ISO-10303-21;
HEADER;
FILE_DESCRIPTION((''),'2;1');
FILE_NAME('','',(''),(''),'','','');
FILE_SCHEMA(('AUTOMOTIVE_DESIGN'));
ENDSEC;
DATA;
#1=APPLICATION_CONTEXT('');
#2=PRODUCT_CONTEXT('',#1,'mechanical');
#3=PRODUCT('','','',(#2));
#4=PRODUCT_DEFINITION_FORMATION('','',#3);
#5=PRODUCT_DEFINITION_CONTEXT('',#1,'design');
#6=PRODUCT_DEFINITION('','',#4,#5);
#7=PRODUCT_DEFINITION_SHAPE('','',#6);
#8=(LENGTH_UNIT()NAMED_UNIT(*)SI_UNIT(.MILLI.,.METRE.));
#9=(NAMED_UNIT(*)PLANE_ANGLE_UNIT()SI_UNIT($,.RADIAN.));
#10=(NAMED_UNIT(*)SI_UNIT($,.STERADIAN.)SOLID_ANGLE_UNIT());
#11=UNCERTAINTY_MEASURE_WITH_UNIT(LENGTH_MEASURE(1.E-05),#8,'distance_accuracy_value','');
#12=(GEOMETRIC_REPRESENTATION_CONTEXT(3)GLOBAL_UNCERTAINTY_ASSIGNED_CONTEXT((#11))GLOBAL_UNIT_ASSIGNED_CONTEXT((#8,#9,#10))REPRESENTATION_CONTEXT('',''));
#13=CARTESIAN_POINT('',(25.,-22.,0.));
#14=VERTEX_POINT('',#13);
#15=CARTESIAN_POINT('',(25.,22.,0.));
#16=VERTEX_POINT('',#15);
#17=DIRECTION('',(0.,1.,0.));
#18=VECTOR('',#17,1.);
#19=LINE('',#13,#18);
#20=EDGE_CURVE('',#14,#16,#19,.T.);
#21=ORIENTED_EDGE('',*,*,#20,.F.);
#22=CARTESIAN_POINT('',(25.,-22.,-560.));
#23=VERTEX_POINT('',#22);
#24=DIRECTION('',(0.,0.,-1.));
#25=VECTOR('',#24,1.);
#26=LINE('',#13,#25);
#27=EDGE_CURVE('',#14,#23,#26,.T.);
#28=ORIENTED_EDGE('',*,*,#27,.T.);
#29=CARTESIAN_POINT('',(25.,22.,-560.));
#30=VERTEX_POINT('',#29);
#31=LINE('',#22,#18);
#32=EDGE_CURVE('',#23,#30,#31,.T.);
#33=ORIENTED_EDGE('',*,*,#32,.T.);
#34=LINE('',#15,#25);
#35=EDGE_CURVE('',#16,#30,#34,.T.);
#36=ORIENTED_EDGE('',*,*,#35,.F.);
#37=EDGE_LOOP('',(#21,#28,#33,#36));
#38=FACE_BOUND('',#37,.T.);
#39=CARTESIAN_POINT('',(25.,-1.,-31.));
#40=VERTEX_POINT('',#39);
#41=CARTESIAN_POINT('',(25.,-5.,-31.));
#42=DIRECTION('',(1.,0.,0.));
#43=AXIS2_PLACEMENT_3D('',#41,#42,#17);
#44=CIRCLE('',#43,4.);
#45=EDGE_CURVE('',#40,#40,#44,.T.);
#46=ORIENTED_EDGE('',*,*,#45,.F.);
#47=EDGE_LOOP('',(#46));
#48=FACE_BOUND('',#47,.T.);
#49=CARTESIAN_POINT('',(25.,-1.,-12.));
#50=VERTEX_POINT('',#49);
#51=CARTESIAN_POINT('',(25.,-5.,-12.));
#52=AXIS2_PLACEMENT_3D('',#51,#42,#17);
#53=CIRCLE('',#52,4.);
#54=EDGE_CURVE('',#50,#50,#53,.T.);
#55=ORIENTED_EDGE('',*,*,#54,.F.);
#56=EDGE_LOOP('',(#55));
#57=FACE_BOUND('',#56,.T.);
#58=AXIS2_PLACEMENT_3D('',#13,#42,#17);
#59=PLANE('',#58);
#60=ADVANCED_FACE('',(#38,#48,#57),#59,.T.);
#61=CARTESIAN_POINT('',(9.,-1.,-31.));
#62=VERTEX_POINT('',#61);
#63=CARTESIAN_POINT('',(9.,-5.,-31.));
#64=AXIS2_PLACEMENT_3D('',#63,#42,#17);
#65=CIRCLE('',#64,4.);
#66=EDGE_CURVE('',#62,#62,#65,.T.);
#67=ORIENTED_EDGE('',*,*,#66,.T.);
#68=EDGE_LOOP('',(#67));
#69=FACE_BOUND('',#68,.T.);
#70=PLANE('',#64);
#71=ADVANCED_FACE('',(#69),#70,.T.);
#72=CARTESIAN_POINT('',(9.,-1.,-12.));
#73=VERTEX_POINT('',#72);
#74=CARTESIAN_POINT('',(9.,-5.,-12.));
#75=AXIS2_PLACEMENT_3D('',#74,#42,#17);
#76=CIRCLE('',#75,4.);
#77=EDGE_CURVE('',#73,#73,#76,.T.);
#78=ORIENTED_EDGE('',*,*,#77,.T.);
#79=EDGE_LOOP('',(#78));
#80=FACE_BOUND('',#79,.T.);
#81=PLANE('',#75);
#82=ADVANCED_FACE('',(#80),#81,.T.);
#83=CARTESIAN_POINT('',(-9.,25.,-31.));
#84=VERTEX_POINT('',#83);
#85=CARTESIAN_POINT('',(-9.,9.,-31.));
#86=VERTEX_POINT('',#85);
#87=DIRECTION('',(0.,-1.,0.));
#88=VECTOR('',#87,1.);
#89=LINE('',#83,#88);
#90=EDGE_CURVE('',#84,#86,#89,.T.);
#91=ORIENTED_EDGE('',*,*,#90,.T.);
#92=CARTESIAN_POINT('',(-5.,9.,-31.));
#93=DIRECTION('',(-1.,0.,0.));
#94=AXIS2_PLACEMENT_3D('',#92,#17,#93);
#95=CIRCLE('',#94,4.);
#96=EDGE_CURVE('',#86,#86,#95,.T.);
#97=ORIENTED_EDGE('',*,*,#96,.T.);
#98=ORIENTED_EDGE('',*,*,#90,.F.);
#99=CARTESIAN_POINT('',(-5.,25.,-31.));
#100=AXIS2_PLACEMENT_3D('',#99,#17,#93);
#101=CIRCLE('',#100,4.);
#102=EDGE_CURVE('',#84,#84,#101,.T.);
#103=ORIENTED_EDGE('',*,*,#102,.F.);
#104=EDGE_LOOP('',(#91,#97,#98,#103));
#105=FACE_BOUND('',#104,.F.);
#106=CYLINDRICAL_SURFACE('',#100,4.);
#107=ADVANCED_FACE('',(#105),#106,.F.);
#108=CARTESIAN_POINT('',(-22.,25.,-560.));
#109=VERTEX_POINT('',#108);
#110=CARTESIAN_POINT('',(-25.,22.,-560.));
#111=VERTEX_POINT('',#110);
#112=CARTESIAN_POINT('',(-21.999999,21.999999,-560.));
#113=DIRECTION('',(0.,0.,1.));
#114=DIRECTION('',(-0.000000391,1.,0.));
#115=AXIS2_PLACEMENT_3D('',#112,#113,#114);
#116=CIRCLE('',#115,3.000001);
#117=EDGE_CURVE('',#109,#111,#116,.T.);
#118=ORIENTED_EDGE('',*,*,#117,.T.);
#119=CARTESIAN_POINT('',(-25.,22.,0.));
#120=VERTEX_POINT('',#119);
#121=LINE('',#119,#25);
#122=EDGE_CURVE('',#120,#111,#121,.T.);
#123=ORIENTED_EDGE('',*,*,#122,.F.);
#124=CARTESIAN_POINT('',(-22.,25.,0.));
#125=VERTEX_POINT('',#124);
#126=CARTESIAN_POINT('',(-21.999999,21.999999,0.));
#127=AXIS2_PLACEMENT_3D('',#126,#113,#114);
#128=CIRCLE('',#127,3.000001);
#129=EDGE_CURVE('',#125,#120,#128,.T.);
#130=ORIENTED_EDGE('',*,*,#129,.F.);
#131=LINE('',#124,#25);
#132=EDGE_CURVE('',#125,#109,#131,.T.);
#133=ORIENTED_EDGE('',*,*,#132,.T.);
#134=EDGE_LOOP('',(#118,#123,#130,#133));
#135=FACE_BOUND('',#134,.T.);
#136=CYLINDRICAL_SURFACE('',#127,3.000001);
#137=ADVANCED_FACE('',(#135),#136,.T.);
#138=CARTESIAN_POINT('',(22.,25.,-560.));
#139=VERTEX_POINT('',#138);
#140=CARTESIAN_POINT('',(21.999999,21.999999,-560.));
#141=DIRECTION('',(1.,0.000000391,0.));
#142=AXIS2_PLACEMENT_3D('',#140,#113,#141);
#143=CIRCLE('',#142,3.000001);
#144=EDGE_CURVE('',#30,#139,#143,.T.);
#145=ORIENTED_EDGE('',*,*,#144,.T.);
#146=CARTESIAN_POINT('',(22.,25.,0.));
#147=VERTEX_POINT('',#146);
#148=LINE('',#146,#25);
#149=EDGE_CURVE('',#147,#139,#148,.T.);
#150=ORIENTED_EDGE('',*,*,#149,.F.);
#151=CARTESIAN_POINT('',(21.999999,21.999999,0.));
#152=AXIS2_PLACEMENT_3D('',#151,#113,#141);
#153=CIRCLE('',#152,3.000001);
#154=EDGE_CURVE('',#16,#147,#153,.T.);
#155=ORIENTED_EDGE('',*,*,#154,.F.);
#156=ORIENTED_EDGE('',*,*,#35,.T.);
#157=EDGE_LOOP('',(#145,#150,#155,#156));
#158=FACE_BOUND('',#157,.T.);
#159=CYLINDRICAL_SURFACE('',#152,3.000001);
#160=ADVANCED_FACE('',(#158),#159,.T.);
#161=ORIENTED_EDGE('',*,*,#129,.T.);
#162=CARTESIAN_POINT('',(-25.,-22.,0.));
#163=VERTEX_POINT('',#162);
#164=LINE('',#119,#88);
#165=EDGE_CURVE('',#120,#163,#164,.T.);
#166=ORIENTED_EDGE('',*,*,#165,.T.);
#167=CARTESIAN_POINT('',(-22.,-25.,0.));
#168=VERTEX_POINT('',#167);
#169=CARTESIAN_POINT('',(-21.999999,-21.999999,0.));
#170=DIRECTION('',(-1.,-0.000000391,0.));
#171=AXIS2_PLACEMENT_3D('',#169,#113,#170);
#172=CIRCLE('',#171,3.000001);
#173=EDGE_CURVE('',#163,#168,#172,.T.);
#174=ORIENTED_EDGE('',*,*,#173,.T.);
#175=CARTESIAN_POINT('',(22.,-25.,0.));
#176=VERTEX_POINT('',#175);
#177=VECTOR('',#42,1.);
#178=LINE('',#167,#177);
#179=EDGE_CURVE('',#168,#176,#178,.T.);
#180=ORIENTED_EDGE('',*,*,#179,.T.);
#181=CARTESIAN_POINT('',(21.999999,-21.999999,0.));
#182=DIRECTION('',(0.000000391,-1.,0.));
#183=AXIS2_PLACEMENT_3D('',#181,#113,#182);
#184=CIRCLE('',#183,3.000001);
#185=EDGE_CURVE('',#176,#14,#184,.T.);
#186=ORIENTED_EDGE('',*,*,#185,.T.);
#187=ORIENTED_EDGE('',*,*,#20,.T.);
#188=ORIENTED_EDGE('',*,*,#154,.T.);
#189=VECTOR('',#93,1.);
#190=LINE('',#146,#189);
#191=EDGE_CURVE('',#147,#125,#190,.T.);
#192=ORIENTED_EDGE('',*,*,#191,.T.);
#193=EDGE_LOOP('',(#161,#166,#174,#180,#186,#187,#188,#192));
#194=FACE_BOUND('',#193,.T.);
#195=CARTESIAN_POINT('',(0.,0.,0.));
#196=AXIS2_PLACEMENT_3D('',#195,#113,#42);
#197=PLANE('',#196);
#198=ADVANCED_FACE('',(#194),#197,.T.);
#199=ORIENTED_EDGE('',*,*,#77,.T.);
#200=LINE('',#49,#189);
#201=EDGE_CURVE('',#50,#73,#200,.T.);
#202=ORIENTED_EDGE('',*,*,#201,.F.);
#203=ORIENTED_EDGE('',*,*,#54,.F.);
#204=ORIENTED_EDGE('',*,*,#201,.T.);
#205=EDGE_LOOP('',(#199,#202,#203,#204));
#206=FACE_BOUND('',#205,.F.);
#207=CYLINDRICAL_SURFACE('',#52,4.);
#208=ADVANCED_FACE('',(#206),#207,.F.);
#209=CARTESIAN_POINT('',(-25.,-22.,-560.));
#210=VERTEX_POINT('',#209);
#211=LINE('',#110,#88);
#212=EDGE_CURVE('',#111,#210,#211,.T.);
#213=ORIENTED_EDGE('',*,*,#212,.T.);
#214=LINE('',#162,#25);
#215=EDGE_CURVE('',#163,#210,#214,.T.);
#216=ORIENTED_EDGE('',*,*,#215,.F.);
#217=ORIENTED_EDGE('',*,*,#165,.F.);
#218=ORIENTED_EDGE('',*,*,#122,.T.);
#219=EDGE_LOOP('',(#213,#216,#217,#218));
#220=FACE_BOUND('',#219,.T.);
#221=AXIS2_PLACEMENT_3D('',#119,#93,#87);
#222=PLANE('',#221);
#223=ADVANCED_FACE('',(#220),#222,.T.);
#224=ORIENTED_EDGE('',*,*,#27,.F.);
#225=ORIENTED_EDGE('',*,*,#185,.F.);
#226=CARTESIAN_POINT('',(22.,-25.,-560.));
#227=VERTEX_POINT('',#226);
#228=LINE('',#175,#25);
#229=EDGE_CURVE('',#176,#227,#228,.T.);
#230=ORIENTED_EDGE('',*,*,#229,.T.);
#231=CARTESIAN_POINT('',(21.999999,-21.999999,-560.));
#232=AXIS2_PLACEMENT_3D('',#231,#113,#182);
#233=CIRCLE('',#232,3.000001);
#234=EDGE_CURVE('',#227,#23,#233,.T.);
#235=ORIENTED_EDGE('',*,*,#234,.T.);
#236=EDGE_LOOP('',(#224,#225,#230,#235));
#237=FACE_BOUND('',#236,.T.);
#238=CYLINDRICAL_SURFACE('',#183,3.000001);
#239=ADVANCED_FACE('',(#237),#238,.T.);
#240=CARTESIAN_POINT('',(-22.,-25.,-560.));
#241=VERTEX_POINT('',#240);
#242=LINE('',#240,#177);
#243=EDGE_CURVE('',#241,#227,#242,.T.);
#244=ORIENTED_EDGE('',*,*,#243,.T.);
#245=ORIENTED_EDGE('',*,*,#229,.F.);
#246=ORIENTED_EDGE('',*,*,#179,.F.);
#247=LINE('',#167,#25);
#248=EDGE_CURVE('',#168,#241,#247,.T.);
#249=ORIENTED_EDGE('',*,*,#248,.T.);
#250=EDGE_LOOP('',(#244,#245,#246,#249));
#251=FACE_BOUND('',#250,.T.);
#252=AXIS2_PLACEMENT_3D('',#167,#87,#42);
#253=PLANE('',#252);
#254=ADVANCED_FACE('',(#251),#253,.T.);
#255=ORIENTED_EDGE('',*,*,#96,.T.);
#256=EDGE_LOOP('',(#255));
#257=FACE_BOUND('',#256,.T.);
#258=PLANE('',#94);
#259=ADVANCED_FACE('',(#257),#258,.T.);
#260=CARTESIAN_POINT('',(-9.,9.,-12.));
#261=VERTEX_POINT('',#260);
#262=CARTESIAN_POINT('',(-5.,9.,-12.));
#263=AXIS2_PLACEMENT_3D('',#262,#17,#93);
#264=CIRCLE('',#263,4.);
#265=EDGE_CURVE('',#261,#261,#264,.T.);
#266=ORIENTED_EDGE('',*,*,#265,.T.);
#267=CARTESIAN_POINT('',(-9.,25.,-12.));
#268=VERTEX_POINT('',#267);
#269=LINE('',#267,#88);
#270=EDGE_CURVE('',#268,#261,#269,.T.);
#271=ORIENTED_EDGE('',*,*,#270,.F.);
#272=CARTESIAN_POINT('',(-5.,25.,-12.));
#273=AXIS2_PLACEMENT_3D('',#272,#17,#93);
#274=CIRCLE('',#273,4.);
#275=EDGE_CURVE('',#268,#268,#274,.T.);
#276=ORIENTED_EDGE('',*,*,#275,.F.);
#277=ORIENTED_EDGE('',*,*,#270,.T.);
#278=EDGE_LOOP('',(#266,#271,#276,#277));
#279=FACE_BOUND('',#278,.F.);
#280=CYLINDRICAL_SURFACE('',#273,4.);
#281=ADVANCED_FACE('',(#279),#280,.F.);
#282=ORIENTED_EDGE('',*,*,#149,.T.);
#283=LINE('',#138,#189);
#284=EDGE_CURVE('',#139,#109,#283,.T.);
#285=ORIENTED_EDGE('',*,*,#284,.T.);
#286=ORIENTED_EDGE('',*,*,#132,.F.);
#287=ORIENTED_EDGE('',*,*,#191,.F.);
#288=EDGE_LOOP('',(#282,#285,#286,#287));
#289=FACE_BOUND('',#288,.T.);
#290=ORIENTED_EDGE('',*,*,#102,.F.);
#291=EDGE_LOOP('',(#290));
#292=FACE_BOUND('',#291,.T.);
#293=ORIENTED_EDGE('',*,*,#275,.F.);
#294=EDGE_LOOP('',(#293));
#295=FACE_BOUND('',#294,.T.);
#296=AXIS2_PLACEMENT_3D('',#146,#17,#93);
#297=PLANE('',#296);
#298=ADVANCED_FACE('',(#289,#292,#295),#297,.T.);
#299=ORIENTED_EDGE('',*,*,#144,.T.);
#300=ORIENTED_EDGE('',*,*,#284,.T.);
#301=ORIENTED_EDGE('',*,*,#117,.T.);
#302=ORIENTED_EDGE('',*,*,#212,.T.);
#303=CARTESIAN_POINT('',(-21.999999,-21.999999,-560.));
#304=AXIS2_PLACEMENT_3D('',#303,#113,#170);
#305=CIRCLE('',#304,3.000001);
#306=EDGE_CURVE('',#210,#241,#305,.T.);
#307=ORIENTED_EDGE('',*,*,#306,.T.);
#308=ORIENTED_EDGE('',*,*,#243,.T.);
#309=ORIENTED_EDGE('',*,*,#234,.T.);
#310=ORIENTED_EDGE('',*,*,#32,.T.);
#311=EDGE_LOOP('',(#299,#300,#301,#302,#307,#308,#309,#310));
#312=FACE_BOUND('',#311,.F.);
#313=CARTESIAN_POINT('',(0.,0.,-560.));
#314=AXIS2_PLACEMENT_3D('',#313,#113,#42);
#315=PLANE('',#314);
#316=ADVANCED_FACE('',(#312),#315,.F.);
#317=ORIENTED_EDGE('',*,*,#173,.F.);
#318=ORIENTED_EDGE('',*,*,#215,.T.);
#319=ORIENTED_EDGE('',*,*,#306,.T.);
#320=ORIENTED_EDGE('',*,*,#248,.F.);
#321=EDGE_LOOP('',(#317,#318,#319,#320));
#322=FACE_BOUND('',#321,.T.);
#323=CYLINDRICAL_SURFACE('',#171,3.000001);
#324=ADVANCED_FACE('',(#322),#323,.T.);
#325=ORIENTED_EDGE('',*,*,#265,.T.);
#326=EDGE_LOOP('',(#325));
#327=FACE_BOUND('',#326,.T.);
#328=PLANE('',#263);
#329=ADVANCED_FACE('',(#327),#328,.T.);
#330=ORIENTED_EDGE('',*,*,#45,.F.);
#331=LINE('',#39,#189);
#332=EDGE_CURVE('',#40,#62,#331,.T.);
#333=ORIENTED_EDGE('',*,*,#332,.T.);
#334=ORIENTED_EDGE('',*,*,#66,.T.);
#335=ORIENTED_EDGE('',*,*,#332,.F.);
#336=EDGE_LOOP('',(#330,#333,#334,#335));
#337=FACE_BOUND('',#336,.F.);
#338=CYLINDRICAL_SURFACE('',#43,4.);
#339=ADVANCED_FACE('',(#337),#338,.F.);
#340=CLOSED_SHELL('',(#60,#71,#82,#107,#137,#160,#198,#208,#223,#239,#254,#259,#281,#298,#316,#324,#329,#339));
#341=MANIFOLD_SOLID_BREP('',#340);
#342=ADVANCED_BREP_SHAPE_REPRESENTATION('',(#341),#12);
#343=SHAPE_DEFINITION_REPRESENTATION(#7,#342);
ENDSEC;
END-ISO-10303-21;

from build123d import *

# Parameters (mm, degrees)
F1_DEPTH = 560
F2_R     = 4
F4_DEPTH = 16
F3_R     = 4
F5_DEPTH = 16


with BuildPart() as f1:
    # F0 (on Top) → F1 (new body)
    with BuildSketch(Plane.XY):
        with BuildLine():
            ThreePointArc((25, 22), (24.12132, 24.12132), (22, 25))
            Line((22, 25), (-22, 25))
            ThreePointArc((-22, 25), (-24.12132, 24.12132), (-25, 22))
            Line((-25, 22), (-25, -22))
            ThreePointArc((-25, -22), (-24.12132, -24.12132), (-22, -25))
            Line((-22, -25), (22, -25))
            ThreePointArc((22, -25), (24.12132, -24.12132), (25, -22))
            Line((25, -22), (25, 22))
        make_face()
    extrude(amount=-F1_DEPTH)

    # F2 (on face) → F4 (cut)
    with BuildSketch(Plane.YZ.offset(25)):
        with Locations((-5, -12)):
            Circle(F2_R)
        with Locations((-5, -31)):
            Circle(F2_R)
    extrude(amount=-F4_DEPTH, mode=Mode.SUBTRACT)

    # F3 (on face) → F5 (cut)
    with BuildSketch(Plane(origin=(0, 25, 0), x_dir=(-1, 0, 0), z_dir=(0, 1, 0))):
        with Locations((5, -12)):
            Circle(F3_R)
        with Locations((5, -31)):
            Circle(F3_R)
    extrude(amount=-F5_DEPTH, mode=Mode.SUBTRACT)


solid = f1.part
